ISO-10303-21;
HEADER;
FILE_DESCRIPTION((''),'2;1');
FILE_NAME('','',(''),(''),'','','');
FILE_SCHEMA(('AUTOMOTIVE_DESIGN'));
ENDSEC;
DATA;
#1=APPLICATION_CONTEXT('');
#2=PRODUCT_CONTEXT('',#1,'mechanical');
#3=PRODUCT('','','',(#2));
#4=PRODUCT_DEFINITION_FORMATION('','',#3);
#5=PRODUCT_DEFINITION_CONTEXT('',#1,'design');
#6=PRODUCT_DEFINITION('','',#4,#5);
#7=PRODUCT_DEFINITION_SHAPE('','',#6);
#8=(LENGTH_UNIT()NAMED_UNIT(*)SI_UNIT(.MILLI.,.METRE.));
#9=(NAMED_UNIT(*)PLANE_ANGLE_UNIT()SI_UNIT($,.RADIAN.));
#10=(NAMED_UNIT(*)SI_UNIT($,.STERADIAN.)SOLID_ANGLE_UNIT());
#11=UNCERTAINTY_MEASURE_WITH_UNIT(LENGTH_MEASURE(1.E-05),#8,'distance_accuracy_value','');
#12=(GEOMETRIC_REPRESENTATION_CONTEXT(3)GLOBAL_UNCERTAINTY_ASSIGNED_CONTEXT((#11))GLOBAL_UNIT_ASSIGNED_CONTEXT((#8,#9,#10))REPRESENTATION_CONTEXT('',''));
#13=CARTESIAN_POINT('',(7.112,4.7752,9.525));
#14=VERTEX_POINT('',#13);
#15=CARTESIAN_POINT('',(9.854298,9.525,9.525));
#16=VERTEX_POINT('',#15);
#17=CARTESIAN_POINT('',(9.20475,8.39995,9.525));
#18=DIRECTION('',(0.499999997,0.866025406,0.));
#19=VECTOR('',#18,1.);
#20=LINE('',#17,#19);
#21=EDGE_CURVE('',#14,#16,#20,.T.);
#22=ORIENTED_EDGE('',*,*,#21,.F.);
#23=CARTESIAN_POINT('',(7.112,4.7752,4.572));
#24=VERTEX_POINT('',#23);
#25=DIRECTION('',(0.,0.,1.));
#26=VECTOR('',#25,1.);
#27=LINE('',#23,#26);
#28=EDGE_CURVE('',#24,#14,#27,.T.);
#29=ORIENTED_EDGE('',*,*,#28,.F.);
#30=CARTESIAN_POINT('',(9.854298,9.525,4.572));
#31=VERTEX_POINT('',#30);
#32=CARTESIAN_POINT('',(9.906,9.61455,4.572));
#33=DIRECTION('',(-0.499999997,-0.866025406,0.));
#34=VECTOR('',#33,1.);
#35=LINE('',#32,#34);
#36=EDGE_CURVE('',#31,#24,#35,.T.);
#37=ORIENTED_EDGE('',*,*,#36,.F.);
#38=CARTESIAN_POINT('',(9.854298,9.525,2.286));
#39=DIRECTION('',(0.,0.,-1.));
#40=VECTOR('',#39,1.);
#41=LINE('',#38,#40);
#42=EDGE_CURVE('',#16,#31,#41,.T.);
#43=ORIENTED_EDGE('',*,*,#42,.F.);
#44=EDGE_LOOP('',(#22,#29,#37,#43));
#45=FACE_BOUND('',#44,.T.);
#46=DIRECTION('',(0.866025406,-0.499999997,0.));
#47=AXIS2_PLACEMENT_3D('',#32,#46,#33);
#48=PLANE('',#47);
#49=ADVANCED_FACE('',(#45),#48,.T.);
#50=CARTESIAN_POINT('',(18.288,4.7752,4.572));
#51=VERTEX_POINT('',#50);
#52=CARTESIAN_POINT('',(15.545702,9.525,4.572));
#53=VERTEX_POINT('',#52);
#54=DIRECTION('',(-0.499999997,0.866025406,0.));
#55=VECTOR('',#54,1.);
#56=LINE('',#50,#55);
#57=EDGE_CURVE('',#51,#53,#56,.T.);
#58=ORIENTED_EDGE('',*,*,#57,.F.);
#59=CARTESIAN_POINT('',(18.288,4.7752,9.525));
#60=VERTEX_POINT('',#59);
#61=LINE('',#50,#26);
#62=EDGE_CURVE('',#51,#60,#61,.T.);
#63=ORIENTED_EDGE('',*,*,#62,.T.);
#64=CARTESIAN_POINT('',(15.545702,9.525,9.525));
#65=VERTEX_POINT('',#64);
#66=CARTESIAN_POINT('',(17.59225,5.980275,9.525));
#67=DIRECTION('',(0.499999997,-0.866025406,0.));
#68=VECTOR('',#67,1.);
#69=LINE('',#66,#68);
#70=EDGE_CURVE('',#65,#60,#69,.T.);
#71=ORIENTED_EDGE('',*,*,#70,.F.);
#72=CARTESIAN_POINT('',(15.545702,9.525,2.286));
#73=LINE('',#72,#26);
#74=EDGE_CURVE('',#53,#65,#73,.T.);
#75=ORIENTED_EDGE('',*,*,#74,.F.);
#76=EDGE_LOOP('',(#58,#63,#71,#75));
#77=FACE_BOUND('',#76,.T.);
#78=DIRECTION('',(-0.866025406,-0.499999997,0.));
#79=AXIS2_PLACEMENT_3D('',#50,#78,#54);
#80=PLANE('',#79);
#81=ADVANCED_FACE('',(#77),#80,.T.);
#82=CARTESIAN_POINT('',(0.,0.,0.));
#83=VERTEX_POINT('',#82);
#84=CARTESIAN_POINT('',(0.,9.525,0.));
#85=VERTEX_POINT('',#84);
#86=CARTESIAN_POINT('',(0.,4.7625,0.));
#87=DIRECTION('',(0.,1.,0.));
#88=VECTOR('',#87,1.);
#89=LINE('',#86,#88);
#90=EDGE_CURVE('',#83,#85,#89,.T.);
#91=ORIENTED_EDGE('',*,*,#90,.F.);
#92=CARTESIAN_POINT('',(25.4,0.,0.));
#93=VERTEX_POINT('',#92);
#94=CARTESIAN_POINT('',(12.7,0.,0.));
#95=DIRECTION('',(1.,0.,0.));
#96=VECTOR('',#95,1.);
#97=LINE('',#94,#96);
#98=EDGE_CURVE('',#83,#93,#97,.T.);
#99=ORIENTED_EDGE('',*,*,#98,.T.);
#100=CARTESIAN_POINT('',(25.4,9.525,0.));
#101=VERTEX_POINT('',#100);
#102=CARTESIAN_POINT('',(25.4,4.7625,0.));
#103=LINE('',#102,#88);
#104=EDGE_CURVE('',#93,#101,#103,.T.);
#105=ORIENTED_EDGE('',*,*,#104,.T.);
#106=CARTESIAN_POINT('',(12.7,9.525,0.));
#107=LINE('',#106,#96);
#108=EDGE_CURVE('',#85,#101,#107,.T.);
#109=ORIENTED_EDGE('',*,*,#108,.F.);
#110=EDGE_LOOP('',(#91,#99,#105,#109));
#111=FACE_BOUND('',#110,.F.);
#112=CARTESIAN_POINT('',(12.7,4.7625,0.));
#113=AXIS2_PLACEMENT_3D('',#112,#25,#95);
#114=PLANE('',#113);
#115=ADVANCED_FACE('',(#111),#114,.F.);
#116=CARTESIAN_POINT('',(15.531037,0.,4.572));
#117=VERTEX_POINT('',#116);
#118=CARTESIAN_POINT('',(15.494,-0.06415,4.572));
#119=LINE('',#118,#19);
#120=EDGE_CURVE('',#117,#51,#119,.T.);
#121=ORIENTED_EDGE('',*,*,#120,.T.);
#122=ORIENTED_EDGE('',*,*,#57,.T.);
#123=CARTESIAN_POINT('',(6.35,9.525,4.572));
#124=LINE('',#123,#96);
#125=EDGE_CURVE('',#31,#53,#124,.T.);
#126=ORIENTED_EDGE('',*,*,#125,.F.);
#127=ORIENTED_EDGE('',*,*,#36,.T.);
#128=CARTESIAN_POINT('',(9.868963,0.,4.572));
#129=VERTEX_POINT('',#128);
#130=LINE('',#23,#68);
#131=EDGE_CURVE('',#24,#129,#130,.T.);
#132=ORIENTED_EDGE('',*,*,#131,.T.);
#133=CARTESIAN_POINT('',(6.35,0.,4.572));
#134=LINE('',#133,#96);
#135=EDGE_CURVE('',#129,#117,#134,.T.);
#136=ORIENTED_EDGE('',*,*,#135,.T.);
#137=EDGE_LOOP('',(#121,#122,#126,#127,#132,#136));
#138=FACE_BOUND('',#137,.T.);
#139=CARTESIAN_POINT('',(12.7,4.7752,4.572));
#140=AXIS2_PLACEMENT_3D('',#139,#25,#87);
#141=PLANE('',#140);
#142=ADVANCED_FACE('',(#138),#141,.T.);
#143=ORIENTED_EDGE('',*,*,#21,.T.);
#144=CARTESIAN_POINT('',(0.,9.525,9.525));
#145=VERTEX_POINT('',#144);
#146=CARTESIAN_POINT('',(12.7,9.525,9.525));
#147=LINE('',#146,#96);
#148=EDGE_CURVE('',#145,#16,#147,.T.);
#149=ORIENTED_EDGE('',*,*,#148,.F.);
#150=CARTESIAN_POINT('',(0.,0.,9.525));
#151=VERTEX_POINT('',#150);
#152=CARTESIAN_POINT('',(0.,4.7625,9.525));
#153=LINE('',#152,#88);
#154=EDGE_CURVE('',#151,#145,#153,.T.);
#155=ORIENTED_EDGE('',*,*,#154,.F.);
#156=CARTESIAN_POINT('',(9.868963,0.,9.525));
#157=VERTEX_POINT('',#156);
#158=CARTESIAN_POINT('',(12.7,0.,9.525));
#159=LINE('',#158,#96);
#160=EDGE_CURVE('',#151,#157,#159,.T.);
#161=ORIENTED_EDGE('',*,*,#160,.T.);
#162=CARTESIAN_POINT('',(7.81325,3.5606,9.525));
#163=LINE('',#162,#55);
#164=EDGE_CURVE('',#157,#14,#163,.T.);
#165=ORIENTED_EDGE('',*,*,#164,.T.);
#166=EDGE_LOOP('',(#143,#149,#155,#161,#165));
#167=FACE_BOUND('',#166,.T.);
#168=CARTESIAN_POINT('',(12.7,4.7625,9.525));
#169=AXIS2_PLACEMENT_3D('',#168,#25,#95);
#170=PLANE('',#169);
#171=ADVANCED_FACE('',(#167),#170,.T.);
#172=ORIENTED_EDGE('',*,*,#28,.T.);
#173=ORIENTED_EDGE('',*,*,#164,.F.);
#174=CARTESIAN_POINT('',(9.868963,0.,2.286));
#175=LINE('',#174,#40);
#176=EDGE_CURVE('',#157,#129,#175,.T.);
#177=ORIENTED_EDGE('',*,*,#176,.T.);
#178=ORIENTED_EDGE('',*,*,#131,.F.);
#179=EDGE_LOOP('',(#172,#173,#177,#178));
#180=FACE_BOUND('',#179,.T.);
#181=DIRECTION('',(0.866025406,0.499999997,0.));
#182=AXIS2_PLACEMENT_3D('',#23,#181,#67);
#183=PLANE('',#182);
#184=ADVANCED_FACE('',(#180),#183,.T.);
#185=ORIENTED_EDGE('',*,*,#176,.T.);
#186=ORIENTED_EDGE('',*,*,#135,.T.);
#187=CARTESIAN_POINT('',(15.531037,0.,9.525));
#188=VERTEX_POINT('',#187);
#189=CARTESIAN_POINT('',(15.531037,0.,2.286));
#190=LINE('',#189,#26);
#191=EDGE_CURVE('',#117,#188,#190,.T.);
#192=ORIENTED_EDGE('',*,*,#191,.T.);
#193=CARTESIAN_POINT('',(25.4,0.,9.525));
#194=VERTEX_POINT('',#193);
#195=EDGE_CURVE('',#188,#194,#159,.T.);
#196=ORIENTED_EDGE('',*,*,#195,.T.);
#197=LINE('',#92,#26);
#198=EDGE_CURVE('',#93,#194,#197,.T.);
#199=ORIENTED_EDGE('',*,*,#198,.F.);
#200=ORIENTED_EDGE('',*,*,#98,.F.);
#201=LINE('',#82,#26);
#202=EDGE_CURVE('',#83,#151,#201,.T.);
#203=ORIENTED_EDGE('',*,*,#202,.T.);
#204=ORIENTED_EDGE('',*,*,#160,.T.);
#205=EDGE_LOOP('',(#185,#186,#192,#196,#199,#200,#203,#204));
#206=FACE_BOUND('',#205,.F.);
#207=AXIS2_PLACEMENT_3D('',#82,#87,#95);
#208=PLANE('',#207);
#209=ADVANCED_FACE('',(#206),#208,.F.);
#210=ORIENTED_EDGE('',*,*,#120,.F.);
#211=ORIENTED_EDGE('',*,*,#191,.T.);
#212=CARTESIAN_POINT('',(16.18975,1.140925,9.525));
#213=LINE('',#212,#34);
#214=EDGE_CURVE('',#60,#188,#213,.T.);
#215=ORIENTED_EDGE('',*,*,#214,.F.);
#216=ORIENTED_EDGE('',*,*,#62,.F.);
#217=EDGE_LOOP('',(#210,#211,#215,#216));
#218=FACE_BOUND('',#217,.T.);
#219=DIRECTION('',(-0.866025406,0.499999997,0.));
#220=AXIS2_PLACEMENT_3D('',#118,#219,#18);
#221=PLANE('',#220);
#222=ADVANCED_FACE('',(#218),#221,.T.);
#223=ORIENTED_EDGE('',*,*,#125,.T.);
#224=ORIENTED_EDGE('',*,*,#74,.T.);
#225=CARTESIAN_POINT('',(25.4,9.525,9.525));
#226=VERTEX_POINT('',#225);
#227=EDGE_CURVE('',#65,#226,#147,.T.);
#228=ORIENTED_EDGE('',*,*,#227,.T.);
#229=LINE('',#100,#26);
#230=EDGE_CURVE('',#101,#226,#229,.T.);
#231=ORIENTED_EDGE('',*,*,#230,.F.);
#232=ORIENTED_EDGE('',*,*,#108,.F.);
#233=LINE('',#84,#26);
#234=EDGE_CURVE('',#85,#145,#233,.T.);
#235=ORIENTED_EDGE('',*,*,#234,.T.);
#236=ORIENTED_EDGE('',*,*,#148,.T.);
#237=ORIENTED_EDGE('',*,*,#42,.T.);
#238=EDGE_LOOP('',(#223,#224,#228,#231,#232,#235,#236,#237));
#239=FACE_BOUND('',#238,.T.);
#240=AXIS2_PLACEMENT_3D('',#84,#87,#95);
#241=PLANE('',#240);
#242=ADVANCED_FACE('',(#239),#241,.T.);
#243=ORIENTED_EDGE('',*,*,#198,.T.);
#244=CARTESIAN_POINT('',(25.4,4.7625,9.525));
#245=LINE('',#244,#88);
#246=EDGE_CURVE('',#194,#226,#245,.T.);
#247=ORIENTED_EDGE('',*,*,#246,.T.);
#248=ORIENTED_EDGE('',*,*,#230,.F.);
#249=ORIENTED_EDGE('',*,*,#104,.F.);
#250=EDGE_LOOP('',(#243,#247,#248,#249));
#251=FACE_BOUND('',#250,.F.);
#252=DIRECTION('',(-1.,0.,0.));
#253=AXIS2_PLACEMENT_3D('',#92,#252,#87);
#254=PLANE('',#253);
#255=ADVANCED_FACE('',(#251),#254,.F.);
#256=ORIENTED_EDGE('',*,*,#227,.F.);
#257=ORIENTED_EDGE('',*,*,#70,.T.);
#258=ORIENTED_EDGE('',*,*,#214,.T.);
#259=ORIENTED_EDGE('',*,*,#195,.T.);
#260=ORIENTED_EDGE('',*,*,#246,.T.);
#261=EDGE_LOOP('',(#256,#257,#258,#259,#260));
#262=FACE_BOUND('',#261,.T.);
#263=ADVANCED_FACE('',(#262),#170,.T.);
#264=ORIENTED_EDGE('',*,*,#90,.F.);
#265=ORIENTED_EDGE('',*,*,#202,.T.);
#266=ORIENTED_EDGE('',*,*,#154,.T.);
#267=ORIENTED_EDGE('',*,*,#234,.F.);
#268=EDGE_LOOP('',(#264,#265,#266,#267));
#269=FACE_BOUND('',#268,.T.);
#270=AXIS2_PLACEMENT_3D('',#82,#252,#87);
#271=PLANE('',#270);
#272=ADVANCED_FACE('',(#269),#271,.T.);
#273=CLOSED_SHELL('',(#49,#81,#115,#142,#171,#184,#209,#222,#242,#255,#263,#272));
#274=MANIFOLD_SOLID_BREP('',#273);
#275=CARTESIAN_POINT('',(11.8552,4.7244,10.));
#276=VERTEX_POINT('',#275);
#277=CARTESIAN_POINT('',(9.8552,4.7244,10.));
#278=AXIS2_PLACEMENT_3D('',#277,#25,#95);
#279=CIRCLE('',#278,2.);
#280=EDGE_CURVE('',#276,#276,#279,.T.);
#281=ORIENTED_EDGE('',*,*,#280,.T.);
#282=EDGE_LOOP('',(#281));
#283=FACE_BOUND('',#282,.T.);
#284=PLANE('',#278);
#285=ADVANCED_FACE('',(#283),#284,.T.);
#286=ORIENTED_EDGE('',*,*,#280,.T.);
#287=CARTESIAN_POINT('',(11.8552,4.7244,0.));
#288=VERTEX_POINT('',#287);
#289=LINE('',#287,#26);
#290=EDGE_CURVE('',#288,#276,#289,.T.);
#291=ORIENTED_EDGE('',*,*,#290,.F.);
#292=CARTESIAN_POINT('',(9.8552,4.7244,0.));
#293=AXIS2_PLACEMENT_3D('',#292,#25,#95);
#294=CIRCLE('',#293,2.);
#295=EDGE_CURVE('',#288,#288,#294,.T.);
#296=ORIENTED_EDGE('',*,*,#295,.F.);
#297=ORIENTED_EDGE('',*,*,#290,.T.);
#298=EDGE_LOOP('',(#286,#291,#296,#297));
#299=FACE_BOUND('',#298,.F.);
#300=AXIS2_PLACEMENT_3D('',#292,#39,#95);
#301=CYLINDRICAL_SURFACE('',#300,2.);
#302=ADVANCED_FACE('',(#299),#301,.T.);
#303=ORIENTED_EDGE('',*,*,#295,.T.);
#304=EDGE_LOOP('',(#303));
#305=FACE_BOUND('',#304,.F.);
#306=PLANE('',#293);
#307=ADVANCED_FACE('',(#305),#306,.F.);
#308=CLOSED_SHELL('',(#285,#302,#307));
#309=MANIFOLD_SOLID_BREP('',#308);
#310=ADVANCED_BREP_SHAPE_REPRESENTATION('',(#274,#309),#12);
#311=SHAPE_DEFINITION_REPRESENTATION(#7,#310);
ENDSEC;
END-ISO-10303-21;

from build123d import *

# Parameters (mm, degrees)
EXTRUDE_DEPTH  = 5.08
BOX_W          = 25.4
BOX_H          = 9.525
BOX_DEPTH      = 9.525
CYLINDER_R     = 2
CYLINDER_DEPTH = 10


with BuildPart() as extrude_body:
    # RegularPolygon → Extrude (new body)
    with BuildSketch(Plane(origin=(0, 0, 0), x_dir=(0, 1, 0), z_dir=(0, 0, 1))):
        Polygon((0, -5.588), (4.83935, -2.794), (4.83935, 2.794), (0, 5.588), (-4.83935, 2.794), (-4.83935, -2.794), align=None)
    extrude(amount=EXTRUDE_DEPTH)


with BuildPart() as extrude_body_1:
    # Extrude placement: moved
    add(extrude_body.part.moved(Location((12.7, 4.7752, 4.572))))


with BuildPart() as cut:
    # Box → Box (new body)
    with BuildSketch(Plane.XY):
        with Locations((12.7, 4.7625)):
            Rectangle(BOX_W, BOX_H)
    extrude(amount=BOX_DEPTH)

    # Cut: cut Extrude body
    add(extrude_body_1.part, mode=Mode.SUBTRACT)


with BuildPart() as cylinder:
    # Cylinder → Cylinder (new body)
    with BuildSketch(Plane(origin=(9.8552, 4.7244, 0), x_dir=(1, 0, 0), z_dir=(0, 0, 1))):
        Circle(CYLINDER_R)
    extrude(amount=CYLINDER_DEPTH)


solid = Compound([cut.part, cylinder.part])
